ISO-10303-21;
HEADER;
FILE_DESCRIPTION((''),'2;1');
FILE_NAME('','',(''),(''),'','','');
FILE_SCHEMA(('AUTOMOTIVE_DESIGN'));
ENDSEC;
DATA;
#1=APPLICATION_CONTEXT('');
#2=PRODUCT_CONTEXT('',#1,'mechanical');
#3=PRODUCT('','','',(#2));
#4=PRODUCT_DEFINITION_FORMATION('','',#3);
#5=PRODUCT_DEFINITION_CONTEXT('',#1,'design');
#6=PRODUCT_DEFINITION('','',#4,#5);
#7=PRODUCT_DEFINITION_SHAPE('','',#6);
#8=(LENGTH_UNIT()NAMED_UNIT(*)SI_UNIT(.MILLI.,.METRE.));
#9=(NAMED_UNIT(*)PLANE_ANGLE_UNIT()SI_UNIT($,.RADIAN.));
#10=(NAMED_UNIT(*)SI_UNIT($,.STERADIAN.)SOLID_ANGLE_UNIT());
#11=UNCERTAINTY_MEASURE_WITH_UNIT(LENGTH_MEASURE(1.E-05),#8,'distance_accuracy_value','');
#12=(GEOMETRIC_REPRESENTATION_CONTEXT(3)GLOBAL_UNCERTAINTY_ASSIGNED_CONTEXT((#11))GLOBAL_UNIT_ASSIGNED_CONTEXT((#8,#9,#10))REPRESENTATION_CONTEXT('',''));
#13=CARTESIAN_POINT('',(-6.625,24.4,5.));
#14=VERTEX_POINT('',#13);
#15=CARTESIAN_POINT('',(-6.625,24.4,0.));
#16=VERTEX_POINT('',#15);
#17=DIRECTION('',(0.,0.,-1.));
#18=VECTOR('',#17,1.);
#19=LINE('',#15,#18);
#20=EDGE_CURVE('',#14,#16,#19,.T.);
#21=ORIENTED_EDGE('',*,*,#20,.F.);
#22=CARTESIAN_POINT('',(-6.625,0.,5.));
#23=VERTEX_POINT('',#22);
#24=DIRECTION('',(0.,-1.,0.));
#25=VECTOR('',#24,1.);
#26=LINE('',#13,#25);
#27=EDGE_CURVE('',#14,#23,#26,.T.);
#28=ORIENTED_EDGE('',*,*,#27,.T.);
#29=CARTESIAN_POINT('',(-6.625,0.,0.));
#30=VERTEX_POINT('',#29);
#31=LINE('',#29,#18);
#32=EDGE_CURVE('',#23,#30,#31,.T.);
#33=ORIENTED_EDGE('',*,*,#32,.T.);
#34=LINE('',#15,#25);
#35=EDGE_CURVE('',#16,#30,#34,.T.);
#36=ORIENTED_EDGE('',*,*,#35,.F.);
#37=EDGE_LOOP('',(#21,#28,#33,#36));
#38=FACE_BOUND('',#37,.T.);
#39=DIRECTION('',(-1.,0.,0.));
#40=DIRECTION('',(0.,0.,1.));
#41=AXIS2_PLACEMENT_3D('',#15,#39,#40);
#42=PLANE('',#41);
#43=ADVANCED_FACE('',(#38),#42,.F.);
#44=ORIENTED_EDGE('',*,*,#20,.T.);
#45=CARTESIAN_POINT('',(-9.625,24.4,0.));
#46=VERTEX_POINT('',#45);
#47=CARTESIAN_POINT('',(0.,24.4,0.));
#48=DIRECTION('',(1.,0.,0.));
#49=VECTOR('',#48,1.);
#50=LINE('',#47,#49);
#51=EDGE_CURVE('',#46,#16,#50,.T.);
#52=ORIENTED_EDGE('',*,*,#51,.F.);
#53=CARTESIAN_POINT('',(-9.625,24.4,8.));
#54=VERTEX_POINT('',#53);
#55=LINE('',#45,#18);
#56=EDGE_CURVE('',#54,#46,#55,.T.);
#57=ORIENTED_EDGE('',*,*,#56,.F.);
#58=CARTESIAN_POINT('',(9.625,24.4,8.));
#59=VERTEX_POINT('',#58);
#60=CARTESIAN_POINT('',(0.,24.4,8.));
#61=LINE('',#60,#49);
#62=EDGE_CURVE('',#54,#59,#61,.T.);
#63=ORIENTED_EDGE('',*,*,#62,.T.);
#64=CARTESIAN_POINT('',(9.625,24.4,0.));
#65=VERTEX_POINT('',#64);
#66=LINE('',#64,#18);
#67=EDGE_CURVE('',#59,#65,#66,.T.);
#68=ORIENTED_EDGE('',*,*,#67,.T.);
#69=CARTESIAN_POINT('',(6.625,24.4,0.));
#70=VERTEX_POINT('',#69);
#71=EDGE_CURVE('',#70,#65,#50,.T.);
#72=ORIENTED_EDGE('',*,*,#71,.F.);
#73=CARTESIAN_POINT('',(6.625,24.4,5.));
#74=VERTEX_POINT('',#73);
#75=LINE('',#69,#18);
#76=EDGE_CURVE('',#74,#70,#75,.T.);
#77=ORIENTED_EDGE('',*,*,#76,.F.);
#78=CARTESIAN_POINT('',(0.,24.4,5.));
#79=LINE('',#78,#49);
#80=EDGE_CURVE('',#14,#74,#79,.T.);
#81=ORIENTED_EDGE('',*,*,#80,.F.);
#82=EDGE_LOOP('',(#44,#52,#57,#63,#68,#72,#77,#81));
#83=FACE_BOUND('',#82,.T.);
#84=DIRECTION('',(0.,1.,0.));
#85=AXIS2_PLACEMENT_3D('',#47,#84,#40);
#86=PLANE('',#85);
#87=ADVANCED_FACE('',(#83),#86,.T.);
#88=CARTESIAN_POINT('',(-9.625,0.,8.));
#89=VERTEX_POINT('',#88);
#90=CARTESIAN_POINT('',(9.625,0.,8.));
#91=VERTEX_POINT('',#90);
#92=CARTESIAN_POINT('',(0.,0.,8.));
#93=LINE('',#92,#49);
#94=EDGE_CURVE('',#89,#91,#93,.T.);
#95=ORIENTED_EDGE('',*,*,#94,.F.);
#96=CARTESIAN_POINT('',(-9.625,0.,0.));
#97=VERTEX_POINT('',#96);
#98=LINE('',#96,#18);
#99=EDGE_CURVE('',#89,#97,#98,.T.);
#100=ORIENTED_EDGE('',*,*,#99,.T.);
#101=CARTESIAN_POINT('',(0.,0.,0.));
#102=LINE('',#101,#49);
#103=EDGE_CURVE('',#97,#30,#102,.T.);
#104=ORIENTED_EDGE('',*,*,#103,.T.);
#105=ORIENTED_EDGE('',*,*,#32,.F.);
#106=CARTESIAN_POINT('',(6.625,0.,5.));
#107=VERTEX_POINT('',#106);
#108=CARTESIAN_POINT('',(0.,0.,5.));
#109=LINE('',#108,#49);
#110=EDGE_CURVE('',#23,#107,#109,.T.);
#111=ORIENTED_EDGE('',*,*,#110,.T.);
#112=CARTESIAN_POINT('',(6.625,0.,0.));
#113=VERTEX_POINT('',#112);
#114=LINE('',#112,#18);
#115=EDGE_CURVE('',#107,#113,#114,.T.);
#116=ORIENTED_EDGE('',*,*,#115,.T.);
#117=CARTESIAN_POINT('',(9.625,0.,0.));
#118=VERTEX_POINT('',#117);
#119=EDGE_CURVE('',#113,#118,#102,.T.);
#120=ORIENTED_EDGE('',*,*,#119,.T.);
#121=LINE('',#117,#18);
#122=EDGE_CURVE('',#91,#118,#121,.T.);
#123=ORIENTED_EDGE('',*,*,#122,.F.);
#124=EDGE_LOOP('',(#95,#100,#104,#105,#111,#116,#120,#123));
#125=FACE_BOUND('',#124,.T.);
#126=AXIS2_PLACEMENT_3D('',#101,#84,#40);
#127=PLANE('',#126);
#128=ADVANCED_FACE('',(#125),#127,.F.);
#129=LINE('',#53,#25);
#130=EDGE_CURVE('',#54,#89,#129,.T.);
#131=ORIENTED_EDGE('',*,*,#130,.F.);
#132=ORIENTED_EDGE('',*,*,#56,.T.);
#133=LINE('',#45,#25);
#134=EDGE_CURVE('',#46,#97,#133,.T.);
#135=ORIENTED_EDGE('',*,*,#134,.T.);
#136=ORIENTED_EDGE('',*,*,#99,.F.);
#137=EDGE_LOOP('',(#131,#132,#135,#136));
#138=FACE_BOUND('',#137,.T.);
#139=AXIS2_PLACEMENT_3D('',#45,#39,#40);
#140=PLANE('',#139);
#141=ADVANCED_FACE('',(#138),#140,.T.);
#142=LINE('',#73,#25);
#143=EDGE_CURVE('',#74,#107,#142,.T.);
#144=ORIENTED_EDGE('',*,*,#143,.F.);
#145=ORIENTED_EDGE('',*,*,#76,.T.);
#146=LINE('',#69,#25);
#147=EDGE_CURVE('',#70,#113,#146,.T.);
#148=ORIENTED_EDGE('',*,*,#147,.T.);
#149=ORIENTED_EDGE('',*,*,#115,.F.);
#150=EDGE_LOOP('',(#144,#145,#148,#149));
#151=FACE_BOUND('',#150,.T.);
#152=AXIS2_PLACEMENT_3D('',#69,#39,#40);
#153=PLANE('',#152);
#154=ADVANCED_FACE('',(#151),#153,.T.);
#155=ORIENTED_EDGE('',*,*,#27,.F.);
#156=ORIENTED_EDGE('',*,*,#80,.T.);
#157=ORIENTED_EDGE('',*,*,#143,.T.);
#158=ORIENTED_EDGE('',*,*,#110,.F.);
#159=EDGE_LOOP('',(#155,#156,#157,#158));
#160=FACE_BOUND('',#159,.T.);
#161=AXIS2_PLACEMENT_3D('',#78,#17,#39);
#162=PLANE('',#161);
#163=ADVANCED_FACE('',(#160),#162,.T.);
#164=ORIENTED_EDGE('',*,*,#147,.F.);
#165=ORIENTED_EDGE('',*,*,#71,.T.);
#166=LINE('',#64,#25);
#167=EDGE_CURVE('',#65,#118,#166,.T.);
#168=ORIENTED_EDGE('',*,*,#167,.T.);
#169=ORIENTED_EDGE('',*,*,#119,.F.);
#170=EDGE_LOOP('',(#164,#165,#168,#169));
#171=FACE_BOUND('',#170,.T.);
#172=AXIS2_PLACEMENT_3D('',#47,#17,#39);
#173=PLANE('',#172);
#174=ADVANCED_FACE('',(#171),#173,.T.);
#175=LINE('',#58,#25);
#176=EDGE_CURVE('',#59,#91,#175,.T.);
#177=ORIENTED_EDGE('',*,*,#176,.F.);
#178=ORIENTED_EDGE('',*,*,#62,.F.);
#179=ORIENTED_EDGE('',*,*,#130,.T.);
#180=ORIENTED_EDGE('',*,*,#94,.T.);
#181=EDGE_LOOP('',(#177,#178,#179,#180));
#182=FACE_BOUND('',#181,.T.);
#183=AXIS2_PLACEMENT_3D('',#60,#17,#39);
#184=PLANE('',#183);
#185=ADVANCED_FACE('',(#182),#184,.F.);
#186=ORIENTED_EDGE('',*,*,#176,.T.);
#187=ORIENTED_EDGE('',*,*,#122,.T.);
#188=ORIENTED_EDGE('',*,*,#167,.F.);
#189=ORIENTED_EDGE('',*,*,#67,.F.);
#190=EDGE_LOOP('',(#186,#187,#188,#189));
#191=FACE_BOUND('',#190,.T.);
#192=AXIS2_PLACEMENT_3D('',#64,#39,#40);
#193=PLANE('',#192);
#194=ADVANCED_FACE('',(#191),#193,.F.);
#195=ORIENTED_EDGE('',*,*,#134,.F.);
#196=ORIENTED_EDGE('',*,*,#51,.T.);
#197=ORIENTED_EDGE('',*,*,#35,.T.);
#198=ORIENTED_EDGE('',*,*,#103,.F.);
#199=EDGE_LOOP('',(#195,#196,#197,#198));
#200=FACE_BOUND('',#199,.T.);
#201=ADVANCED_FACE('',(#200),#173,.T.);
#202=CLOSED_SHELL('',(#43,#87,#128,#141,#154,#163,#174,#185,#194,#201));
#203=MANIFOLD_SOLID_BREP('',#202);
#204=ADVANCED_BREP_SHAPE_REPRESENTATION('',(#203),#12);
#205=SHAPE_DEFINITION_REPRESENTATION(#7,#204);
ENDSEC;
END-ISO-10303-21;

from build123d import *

# Parameters (mm, degrees)
BOSS_EXTRUDE1_DEPTH = 24.4


with BuildPart() as part:
    # Sketch2 → Boss-Extrude1 (new body)
    with BuildSketch(Plane(origin=(0, 0, 0), x_dir=(1, 0, 0), z_dir=(0, 1, 0))):
        Polygon((-6.625, 0), (-9.625, 0), (-9.625, -8), (9.625, -8), (9.625, 0), (6.625, 0), (6.625, -5), (-6.625, -5), align=None)
    extrude(amount=BOSS_EXTRUDE1_DEPTH)


solid = part.part
